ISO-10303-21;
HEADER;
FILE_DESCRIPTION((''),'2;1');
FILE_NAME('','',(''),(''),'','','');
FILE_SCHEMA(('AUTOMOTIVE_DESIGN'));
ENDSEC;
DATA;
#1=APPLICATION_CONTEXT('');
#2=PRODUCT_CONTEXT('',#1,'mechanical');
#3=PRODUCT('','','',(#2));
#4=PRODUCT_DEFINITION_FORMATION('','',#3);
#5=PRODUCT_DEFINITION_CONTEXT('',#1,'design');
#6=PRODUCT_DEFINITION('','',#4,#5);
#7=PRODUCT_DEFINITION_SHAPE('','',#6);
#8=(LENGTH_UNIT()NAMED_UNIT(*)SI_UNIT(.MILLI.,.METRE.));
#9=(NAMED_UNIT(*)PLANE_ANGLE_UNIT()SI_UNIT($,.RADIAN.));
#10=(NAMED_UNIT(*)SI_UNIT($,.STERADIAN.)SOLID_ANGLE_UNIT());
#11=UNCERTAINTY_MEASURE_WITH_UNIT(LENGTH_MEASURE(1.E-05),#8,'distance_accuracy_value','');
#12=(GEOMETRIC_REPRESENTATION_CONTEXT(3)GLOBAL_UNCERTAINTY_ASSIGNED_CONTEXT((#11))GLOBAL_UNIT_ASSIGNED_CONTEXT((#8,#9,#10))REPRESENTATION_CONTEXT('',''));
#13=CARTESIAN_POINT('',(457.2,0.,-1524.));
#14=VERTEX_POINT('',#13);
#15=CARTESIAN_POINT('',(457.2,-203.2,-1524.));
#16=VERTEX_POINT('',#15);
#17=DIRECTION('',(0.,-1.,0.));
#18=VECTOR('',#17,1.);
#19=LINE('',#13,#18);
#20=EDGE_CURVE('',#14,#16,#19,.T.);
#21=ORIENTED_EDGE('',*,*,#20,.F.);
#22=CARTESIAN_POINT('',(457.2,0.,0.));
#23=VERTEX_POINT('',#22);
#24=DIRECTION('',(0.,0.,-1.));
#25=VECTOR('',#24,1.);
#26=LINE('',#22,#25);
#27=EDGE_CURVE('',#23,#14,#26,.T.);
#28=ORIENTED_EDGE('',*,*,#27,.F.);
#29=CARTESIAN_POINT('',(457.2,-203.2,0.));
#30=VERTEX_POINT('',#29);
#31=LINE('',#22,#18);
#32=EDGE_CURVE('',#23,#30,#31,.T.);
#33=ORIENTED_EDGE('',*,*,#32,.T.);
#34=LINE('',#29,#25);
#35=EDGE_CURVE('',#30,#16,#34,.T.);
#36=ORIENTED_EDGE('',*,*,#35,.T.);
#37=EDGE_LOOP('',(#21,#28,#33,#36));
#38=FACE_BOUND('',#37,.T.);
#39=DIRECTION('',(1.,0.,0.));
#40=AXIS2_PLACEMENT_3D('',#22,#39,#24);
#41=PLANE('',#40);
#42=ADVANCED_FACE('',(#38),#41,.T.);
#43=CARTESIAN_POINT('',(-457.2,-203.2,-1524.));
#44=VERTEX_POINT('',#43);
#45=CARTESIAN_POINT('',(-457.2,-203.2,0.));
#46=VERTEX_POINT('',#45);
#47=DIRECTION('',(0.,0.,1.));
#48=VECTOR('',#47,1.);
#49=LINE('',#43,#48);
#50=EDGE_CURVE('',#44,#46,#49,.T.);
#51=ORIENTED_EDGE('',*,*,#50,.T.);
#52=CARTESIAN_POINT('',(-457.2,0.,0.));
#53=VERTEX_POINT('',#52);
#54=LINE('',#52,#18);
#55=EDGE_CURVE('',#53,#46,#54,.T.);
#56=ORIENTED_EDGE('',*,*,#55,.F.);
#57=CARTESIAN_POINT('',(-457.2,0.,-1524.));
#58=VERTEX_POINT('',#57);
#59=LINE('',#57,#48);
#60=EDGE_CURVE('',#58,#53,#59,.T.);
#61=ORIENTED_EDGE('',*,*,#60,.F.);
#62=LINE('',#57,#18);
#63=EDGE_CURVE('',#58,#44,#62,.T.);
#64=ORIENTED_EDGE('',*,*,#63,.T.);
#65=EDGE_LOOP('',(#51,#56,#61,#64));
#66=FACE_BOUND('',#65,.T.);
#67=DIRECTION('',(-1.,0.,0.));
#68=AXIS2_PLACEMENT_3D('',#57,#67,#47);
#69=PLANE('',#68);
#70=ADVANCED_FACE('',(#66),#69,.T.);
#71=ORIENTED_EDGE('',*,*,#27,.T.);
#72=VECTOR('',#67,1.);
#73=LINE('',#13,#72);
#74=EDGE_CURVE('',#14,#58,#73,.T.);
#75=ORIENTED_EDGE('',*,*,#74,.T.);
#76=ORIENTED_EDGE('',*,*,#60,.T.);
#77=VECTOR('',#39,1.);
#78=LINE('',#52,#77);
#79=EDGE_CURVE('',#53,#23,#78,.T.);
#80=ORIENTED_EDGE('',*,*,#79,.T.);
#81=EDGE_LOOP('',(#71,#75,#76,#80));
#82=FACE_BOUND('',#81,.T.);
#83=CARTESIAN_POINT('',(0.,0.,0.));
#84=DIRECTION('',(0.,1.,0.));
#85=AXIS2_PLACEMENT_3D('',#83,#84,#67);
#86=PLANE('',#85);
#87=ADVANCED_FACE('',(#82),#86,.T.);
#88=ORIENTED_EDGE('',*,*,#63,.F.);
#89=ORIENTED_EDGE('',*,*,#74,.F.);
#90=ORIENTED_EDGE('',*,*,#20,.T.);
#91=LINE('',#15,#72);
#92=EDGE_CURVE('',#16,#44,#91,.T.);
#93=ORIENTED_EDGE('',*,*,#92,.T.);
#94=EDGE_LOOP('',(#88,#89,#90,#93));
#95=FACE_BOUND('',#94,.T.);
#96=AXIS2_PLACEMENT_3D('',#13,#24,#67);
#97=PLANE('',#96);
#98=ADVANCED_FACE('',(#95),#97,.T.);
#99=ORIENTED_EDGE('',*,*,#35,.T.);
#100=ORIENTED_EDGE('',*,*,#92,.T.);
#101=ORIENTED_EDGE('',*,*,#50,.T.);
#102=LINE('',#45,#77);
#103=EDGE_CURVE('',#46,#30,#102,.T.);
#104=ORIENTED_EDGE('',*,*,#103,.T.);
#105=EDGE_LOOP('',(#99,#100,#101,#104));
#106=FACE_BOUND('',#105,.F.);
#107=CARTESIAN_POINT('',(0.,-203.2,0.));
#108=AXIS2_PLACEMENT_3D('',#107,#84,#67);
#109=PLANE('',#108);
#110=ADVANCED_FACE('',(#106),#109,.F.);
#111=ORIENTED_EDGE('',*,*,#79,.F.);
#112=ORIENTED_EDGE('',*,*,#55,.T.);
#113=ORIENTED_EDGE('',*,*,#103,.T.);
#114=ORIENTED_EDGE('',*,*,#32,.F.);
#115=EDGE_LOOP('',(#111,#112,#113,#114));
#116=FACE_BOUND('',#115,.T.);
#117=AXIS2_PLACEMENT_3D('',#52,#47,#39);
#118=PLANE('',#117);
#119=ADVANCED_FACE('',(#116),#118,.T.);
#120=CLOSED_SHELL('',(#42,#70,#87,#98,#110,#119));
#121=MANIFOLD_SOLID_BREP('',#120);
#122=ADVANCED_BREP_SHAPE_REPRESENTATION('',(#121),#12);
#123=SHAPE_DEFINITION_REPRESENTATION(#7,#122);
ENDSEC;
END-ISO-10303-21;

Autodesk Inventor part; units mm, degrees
ref_plane "PLANE IN" through (0, 0, 0) normal (0, 0, 1) x (1, 0, 0)
ref_plane "PLANE OUT" through (0, 0, -1524) normal (0, 0, 1) x (1, 0, 0)
ref_plane "PLANE CTR" through (0, 0, 0) normal (1, 0, 0) x (0, 1, 0)
ref_plane "PLANE RH" through (457.2, 0, 0) normal (1, 0, 0) x (0, 1, 0)
ref_plane "PLANE LH" through (-457.2, 0, 0) normal (1, 0, 0) x (0, 1, 0)
ref_plane "PLANE TOP" through (0, 0, 0) normal (0, 1, 0) x (-1, 0, 0)
ref_plane "PLANE BOT" through (0, -203.2, 0) normal (0, 1, 0) x (-1, 0, 0)
ref_plane "PLANE HANDLE RH" through (558.8, 0, 0) normal (1, 0, 0) x (0, 1, 0)
ref_plane "PLANE HANDLE LH" through (-558.8, 0, 0) normal (1, 0, 0) x (0, 1, 0)
ref_plane "PLANE HANDLE IN" through (0, 0, -63.5) normal (0, 0, 1) x (1, 0, 0)
ref_plane "PLANE HANDLE OUT" through (0, 0, -1460.5) normal (0, 0, 1) x (1, 0, 0)
ref_plane "PLANE HANDLE TOP" through (0, -63.5, 0) normal (0, 1, 0) x (-1, 0, 0)
sketch "SKETCH BODY" plane through (0, 0, 0) normal (0, 1, 0) x (-1, 0, 0)
  line L0 (457.2, 0) -> (-457.2, 0)
  line L1 (-457.2, 0) -> (-457.2, -1524)
  line L2 (-457.2, -1524) -> (457.2, -1524)
  line L3 (457.2, -1524) -> (457.2, 0)
  line L4 (-640.08, 0) -> (640.08, 0) projected
  line L5 (-640.08, -1524) -> (640.08, -1524) projected
  line L6 (-457.2, -3657.6) -> (-457.2, 609.6) projected
  line L7 (457.2, -3657.6) -> (457.2, 609.6) projected
extrude "EXT BODY" add sketch "SKETCH BODY" against normal blind 203.2
sketch "SKETCH HANDLE DIA" plane through (457.2, 0, 0) normal (1, 0, 0) x (0, 1, 0)
  circle A0 centre (-63.5, -63.5) radius 12.7
  line L0 (-63.5, -45.72) -> (-63.5, -81.28) projected
  line L1 (-81.28, -63.5) -> (-45.72, -63.5) projected
  dimension "d14" = 25.4
sketch "SKETCH HANDLE PATH" plane through (0, -63.5, 0) normal (0, 1, 0) x (-1, 0, 0)
  line L0 (-558.8, -3568.7) -> (-558.8, 520.7) projected
  line L1 (-579.12, -63.5) -> (-436.88, -63.5) projected
  line L2 (-579.12, -1460.5) -> (-436.88, -1460.5) projected
  line L3 (-457.2, -63.5) -> (-558.8, -63.5)
  line L4 (-558.8, -63.5) -> (-558.8, -1460.5)
  line L5 (-558.8, -1460.5) -> (-457.2, -1460.5)
  line L6 (-457.2, -1460.5) -> (-457.2, -63.5) construction
  line L7 (-457.2, -3568.7) -> (-457.2, 520.7) projected
feature "SWP HANDLE" [suppressed]
mirror "MIR HANDLE" [suppressed]
equation "\"d12\" = HEIGHT"
equation "\"d1\" = -LENGTH"
equation "\"d2\" = 0.5 * WIDTH"
equation "\"d3\" = -0.5 * WIDTH"
equation "\"d6\" = -HEIGHT"
equation "\"d7\" = HANDLE_OFFSET_CTR"
equation "\"d8\" = -HANDLE_OFFSET_CTR"
equation "\"d9\" = -HANDLE_OFFSET_END"
equation "\"d10\" = -LENGTH + HANDLE_OFFSET_END"
equation "\"d11\" = -HANDLE_OFFSET_TOP"
equation "\"LENGTH\" = 1524"
equation "\"WIDTH\" = 914.4"
equation "\"HEIGHT\" = 203.2"
equation "\"HANDLE_GAP\" = 101.6"
equation "\"HANDLE_OFFSET_CTR\" = 0.5 * WIDTH + HANDLE_GAP"
equation "\"HANDLE_OFFSET_END\" = 63.5"
equation "\"HANDLE_OFFSET_TOP\" = 63.5"
properties part number "ATQ-36-60-N"
